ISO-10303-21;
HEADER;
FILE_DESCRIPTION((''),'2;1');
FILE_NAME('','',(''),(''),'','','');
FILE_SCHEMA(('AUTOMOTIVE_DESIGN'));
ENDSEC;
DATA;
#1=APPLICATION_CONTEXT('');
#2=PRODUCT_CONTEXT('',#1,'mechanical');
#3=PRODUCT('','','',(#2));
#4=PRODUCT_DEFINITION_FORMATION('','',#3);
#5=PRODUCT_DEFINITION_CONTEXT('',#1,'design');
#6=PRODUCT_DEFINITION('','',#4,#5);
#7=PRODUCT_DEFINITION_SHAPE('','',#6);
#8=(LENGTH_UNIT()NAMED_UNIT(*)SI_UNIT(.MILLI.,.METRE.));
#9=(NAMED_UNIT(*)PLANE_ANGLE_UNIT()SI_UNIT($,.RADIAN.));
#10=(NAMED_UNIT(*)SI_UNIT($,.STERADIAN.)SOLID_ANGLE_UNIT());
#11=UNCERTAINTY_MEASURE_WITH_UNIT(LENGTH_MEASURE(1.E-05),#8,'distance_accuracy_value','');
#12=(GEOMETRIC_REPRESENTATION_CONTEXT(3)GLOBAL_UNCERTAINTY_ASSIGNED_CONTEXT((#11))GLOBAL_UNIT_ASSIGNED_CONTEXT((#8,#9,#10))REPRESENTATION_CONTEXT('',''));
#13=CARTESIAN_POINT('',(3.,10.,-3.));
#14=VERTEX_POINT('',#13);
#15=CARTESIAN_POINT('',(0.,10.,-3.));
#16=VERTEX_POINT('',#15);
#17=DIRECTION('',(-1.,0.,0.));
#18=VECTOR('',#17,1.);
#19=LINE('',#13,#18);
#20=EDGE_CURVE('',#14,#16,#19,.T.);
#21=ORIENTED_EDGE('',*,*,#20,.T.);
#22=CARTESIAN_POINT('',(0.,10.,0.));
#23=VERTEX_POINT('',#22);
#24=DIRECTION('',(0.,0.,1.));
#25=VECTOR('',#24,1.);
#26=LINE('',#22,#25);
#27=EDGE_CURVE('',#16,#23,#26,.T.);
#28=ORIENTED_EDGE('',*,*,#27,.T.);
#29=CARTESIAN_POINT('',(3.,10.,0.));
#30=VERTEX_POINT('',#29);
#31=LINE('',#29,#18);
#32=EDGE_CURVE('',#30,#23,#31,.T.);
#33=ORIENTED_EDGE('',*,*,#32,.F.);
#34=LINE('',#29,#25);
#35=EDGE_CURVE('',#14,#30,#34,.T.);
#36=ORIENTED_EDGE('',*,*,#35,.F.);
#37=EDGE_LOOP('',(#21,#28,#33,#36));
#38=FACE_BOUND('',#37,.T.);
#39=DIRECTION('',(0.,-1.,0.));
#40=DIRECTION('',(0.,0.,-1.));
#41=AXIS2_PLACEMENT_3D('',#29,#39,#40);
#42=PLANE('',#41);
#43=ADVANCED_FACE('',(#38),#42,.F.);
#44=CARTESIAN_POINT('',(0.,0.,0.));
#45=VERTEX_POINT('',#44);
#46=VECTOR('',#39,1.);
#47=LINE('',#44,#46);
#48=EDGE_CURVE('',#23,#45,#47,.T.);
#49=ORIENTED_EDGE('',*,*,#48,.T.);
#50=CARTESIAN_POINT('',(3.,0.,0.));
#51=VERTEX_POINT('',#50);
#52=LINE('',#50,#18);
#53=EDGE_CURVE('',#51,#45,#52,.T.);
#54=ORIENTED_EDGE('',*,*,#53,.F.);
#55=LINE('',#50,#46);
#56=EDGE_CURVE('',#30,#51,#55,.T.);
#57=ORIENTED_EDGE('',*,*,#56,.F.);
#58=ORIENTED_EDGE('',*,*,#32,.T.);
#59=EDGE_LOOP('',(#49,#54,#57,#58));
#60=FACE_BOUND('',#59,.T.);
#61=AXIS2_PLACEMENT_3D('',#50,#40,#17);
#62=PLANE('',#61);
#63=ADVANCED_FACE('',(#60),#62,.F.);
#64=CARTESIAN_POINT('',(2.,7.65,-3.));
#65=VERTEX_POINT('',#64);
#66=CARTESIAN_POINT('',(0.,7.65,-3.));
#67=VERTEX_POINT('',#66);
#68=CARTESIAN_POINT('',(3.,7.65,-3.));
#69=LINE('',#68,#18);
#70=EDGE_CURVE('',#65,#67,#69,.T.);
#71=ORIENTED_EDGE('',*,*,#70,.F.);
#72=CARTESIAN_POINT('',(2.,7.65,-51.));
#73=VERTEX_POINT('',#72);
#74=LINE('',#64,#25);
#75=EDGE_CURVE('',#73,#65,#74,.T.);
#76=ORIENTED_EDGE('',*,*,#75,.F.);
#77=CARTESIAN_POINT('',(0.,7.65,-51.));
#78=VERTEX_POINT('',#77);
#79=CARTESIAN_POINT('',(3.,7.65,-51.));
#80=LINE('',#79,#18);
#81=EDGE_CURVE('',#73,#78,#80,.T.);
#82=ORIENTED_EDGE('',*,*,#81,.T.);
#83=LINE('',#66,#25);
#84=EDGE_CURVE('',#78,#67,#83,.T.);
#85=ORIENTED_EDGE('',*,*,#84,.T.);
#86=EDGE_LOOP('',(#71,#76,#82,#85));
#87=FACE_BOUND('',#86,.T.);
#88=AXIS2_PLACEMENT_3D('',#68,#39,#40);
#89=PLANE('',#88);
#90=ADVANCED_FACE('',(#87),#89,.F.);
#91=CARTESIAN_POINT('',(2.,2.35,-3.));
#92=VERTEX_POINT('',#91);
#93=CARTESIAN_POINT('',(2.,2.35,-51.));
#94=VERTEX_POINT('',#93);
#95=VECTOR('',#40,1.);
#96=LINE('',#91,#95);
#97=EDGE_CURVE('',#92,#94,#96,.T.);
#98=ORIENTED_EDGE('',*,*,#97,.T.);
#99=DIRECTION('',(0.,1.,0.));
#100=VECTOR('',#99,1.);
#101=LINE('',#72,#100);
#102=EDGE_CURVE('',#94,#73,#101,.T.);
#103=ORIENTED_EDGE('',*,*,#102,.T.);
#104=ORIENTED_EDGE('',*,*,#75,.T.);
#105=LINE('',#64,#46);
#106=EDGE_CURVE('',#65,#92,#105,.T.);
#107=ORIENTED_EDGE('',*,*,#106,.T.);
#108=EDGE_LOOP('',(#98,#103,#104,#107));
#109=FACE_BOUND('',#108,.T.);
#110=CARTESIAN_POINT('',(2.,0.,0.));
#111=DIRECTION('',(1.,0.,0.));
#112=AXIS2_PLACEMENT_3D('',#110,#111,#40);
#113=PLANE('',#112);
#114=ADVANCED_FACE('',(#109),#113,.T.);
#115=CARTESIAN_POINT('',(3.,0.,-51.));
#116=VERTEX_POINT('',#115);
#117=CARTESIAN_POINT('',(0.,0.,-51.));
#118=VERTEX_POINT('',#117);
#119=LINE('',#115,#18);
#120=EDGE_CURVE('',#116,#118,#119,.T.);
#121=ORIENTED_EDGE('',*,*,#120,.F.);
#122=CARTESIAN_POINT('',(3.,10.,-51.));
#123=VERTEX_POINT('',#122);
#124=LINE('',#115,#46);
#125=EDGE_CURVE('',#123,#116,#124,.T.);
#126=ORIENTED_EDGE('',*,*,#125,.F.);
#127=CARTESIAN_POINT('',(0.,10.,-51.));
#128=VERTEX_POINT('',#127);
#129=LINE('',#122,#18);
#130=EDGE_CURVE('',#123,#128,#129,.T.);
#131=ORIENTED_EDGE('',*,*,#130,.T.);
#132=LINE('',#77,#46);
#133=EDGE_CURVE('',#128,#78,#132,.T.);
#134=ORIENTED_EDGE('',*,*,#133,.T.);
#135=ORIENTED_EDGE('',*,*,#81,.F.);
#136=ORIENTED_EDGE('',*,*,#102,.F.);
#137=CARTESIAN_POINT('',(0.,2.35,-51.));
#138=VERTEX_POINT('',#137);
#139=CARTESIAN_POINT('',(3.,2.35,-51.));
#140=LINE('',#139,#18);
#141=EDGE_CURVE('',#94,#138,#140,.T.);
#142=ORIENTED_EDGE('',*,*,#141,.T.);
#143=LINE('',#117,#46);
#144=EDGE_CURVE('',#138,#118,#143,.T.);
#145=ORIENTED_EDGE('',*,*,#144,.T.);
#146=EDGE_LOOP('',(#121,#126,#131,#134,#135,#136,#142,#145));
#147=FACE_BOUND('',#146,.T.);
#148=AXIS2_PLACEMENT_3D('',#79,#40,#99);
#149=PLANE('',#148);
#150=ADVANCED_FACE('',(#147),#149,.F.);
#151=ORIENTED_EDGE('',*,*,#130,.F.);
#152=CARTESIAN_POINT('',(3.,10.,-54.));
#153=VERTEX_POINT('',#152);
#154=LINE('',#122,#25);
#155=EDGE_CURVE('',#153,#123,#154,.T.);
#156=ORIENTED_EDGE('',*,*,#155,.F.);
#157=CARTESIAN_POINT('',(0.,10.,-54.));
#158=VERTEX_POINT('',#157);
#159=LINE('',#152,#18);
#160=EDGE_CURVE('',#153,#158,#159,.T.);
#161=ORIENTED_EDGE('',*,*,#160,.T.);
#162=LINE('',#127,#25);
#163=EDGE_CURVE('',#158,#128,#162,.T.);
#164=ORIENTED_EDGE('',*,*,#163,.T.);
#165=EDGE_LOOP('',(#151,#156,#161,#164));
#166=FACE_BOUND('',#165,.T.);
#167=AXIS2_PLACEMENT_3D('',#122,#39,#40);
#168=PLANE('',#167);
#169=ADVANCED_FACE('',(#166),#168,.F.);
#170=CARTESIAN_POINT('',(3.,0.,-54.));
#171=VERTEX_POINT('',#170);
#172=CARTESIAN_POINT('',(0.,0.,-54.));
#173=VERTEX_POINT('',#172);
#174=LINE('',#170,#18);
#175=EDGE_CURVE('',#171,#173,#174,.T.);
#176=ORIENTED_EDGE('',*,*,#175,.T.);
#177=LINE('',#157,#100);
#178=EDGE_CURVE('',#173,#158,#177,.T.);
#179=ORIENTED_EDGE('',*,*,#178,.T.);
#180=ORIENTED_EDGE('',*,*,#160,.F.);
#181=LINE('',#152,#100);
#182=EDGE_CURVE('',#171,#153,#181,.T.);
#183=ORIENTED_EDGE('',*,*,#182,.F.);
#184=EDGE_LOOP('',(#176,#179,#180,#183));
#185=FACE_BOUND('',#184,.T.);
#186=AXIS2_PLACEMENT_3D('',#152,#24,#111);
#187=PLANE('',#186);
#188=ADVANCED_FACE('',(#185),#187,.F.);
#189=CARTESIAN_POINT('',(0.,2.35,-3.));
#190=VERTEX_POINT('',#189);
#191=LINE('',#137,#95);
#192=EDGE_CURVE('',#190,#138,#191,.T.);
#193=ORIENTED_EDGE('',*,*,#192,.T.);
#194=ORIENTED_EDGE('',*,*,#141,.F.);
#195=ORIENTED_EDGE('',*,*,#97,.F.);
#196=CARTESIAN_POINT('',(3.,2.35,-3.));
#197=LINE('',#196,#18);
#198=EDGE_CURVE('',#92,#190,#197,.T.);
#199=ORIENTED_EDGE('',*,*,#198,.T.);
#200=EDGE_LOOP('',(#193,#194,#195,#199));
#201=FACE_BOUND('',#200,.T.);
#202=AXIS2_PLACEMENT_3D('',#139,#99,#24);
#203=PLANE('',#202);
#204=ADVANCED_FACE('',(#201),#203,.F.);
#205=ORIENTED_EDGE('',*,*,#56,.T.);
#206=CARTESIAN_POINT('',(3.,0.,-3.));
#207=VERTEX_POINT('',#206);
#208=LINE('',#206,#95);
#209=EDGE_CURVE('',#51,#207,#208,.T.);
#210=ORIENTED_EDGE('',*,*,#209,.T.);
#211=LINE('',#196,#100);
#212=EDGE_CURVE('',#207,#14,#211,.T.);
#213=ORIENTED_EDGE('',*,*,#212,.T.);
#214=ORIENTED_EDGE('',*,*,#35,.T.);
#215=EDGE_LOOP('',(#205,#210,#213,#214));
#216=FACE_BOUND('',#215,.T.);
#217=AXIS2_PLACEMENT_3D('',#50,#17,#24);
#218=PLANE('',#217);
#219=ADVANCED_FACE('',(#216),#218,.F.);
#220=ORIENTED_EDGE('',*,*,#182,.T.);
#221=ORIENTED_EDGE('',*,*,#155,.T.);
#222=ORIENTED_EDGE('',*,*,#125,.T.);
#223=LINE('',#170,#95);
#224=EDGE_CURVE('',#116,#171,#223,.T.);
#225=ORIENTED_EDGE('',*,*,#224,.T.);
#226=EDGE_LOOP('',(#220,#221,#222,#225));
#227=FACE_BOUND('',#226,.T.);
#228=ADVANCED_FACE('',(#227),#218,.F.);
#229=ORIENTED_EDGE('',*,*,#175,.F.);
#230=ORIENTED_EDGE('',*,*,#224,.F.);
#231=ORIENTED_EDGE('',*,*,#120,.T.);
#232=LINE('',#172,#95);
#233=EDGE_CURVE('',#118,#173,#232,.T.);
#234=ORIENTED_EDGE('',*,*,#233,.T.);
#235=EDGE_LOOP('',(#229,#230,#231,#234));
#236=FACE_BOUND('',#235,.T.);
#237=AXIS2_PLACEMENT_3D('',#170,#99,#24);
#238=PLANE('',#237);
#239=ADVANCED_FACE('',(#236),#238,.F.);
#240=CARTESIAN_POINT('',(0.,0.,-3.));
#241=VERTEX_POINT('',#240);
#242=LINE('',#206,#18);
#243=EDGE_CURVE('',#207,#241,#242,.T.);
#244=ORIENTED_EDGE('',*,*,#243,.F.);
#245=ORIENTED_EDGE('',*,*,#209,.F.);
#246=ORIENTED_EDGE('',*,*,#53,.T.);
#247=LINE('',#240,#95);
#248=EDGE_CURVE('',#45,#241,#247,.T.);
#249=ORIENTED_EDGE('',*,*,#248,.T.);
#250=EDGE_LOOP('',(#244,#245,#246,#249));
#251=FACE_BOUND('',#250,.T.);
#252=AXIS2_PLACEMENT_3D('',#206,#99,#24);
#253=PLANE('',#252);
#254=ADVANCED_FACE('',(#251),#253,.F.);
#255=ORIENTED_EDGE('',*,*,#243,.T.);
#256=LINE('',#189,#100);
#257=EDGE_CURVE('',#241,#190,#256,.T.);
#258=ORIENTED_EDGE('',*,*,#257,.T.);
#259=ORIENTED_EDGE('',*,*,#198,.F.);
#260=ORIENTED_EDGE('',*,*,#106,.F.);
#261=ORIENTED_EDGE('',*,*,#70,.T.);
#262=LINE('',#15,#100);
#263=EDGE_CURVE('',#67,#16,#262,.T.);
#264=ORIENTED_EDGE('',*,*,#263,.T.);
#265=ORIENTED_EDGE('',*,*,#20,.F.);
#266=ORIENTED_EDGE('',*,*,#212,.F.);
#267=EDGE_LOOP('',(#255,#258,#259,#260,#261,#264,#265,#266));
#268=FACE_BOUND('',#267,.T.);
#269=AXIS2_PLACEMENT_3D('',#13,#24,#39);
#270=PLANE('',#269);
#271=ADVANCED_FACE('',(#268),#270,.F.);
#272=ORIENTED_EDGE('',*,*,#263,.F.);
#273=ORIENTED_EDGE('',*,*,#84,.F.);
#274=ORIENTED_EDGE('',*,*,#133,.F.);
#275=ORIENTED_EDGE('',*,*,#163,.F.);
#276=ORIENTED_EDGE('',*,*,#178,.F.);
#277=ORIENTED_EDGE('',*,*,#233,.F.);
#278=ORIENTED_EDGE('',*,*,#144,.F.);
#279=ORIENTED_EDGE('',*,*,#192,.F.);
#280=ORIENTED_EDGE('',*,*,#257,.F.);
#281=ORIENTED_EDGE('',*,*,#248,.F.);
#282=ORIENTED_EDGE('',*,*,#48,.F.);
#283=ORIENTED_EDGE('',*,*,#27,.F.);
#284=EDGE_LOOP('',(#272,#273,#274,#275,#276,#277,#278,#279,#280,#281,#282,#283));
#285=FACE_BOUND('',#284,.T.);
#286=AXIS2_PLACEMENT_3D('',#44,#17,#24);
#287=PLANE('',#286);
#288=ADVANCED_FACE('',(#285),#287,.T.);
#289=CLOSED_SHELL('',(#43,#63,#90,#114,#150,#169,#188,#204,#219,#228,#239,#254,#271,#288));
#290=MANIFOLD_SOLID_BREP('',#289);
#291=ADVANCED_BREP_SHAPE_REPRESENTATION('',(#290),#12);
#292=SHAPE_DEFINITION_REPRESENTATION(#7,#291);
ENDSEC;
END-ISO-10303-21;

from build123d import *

# Parameters (mm, degrees)
BOSS_EXTRUDE1_DEPTH = 3
SKETCH2_W           = 48
SKETCH2_H           = 5.3
CUT_EXTRUDE1_DEPTH  = 1


with BuildPart() as part:
    # Sketch1 → Boss-Extrude1 (new body)
    with BuildSketch(Plane(origin=(0, 0, 0), x_dir=(0, 0, -1), z_dir=(1, 0, 0))):
        Polygon((0, 0), (0, 10), (3, 10), (3, 7.65), (51, 7.65), (51, 10), (54, 10), (54, 0), (51, 0), (51, 2.35), (3, 2.35), (3, 0), align=None)
    extrude(amount=BOSS_EXTRUDE1_DEPTH)

    # Sketch2 → Cut-Extrude1 (cut)
    with BuildSketch(Plane(origin=(3, 0, 0), x_dir=(0, 0, -1), z_dir=(1, 0, 0))):
        with Locations((27, 5)):
            Rectangle(SKETCH2_W, SKETCH2_H)
    extrude(amount=-CUT_EXTRUDE1_DEPTH, mode=Mode.SUBTRACT)


solid = part.part
